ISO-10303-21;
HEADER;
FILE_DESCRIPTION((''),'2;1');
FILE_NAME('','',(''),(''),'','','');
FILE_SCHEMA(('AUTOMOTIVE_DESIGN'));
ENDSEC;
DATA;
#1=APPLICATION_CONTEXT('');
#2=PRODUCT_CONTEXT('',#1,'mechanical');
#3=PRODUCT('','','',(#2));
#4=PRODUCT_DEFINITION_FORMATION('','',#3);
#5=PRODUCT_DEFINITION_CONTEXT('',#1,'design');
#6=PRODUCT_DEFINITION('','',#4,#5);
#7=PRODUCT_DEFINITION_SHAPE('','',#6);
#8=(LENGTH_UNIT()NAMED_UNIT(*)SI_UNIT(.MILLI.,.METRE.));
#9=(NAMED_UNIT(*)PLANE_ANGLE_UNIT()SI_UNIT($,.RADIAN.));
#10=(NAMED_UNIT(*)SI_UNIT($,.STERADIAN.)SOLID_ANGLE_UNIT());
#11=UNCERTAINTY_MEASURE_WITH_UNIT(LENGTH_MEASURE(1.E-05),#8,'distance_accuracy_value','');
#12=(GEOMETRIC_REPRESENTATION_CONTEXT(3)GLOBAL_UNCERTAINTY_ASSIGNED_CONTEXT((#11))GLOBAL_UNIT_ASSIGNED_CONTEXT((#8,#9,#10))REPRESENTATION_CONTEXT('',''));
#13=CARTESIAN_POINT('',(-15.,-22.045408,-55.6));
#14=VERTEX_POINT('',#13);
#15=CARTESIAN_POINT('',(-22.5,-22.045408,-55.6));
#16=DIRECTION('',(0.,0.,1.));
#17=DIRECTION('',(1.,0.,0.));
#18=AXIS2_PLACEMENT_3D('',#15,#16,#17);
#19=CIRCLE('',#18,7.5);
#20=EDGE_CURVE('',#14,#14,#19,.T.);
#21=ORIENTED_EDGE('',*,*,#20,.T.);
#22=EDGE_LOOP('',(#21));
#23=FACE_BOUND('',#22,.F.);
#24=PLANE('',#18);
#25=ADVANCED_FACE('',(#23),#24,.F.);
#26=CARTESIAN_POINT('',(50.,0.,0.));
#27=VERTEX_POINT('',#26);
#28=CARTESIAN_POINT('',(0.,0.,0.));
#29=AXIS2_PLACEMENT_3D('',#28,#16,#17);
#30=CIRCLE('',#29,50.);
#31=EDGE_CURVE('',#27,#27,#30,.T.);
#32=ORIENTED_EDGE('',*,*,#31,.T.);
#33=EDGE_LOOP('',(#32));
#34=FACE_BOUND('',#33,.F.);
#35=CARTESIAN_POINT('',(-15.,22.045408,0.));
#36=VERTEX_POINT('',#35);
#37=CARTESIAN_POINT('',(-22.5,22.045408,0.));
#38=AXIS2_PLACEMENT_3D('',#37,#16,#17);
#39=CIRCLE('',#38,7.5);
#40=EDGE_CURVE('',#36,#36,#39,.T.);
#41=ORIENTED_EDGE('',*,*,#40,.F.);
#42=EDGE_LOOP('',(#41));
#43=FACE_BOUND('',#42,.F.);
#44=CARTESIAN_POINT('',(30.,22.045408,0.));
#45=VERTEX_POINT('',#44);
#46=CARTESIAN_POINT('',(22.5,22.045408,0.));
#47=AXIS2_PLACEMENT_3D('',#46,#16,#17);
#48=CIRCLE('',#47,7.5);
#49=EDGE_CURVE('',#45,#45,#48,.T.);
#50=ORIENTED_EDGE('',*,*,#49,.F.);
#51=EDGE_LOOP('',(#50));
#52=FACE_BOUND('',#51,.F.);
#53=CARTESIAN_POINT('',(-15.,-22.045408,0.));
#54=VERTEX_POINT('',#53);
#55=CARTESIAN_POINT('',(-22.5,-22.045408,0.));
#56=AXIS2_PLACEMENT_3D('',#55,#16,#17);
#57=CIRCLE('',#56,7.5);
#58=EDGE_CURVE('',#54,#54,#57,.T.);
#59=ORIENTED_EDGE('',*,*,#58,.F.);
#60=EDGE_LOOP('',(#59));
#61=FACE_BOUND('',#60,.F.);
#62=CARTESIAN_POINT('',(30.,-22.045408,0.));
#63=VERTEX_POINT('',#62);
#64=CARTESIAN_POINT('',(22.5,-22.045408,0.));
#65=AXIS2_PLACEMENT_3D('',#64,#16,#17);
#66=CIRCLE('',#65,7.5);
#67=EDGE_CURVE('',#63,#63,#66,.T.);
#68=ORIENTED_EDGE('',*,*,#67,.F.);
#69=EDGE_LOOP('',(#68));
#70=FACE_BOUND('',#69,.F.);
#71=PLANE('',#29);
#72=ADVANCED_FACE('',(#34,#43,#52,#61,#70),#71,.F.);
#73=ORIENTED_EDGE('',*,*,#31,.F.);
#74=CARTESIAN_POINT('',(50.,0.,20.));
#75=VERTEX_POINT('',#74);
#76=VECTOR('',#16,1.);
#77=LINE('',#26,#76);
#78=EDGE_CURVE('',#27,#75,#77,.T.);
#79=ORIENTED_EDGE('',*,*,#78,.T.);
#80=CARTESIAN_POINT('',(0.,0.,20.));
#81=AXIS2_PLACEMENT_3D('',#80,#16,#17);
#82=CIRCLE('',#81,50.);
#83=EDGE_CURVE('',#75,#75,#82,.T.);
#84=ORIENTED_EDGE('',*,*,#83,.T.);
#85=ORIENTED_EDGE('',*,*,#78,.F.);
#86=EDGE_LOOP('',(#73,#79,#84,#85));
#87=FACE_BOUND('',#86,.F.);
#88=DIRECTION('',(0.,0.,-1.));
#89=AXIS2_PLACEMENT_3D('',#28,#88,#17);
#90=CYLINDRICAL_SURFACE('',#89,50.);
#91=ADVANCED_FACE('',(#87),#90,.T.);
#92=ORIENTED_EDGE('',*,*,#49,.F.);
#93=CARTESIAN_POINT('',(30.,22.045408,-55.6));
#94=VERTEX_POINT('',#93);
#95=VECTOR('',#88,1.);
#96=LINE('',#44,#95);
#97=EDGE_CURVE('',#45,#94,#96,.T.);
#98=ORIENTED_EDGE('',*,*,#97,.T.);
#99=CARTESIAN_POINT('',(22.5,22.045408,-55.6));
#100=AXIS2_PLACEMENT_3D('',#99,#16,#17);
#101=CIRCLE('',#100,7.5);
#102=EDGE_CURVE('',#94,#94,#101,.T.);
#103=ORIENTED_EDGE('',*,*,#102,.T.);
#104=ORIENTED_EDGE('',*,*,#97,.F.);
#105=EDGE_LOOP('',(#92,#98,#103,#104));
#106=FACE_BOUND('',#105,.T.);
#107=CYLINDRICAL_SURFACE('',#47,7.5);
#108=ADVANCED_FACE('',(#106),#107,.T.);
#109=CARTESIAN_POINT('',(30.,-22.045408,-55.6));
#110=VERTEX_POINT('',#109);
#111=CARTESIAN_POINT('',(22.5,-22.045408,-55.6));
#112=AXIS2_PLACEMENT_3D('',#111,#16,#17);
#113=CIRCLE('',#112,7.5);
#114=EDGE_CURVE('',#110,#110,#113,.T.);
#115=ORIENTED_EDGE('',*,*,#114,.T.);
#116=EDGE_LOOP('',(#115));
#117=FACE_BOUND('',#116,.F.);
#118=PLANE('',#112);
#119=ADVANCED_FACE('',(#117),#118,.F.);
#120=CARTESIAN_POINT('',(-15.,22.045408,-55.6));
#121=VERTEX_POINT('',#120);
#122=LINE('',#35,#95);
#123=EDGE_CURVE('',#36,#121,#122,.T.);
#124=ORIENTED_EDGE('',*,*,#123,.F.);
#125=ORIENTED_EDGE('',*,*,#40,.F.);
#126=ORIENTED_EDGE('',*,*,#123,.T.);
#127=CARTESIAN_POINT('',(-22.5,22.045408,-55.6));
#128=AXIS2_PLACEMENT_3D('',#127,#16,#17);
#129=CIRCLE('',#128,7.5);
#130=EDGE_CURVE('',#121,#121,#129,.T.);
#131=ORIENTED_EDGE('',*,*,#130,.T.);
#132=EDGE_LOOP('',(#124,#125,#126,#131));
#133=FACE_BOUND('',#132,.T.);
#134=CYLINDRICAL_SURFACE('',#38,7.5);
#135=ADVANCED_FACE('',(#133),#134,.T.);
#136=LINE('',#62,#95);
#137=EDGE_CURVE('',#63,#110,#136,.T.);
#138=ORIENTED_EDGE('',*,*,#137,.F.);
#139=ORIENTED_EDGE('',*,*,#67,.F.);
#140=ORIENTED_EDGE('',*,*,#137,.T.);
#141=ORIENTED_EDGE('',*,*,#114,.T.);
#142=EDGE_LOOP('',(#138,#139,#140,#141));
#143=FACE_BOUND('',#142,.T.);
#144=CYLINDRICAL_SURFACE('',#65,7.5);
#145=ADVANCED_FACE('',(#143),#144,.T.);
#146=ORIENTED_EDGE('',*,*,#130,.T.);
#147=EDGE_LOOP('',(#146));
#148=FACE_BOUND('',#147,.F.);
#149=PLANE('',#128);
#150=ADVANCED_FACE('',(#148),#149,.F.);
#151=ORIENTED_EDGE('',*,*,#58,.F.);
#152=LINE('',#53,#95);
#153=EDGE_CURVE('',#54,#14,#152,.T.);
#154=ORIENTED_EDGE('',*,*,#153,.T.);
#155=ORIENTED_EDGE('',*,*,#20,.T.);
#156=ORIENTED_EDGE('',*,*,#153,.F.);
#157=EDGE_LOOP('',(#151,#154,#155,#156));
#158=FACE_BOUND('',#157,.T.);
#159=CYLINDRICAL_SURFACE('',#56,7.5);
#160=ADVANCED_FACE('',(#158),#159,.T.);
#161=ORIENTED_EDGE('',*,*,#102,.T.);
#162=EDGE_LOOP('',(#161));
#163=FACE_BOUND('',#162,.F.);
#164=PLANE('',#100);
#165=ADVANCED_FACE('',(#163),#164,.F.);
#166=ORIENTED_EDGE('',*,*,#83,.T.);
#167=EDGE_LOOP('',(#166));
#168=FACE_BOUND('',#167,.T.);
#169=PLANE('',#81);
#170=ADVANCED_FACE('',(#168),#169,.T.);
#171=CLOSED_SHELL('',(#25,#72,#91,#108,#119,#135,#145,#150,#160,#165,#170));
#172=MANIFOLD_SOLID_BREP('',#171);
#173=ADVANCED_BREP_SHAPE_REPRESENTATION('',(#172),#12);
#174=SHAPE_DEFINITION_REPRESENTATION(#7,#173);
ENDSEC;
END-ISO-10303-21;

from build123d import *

# Parameters (mm, degrees)
F0_R     = 50
F0_R_2   = 7.5
F1_DEPTH = 20
F2_DEPTH = 55.6


with BuildPart() as f1:
    # F0 (on Top) → F1 (new body)
    with BuildSketch(Plane.XY):
        Circle(F0_R)
        with Locations((-22.5, -22.045407685)):
            Circle(F0_R_2, mode=Mode.SUBTRACT)
        with Locations((22.5, -22.045407685)):
            Circle(F0_R_2, mode=Mode.SUBTRACT)
        with Locations((-22.5, 22.045407685)):
            Circle(F0_R_2, mode=Mode.SUBTRACT)
        with Locations((22.5, 22.045407685)):
            Circle(F0_R_2, mode=Mode.SUBTRACT)
        with Locations((22.5, -22.045407685)):
            Circle(F0_R_2)
        with Locations((-22.5, -22.045407685)):
            Circle(F0_R_2)
        with Locations((22.5, 22.045407685)):
            Circle(F0_R_2)
        with Locations((-22.5, 22.045407685)):
            Circle(F0_R_2)
    extrude(amount=F1_DEPTH)

    # F0 (on Top) → F2 (join)
    with BuildSketch(Plane.XY):
        with Locations((22.5, 22.045407685)):
            Circle(F0_R_2)
        with Locations((-22.5, 22.045407685)):
            Circle(F0_R_2)
        with Locations((-22.5, -22.045407685)):
            Circle(F0_R_2)
        with Locations((22.5, -22.045407685)):
            Circle(F0_R_2)
    extrude(amount=-F2_DEPTH)


solid = f1.part
